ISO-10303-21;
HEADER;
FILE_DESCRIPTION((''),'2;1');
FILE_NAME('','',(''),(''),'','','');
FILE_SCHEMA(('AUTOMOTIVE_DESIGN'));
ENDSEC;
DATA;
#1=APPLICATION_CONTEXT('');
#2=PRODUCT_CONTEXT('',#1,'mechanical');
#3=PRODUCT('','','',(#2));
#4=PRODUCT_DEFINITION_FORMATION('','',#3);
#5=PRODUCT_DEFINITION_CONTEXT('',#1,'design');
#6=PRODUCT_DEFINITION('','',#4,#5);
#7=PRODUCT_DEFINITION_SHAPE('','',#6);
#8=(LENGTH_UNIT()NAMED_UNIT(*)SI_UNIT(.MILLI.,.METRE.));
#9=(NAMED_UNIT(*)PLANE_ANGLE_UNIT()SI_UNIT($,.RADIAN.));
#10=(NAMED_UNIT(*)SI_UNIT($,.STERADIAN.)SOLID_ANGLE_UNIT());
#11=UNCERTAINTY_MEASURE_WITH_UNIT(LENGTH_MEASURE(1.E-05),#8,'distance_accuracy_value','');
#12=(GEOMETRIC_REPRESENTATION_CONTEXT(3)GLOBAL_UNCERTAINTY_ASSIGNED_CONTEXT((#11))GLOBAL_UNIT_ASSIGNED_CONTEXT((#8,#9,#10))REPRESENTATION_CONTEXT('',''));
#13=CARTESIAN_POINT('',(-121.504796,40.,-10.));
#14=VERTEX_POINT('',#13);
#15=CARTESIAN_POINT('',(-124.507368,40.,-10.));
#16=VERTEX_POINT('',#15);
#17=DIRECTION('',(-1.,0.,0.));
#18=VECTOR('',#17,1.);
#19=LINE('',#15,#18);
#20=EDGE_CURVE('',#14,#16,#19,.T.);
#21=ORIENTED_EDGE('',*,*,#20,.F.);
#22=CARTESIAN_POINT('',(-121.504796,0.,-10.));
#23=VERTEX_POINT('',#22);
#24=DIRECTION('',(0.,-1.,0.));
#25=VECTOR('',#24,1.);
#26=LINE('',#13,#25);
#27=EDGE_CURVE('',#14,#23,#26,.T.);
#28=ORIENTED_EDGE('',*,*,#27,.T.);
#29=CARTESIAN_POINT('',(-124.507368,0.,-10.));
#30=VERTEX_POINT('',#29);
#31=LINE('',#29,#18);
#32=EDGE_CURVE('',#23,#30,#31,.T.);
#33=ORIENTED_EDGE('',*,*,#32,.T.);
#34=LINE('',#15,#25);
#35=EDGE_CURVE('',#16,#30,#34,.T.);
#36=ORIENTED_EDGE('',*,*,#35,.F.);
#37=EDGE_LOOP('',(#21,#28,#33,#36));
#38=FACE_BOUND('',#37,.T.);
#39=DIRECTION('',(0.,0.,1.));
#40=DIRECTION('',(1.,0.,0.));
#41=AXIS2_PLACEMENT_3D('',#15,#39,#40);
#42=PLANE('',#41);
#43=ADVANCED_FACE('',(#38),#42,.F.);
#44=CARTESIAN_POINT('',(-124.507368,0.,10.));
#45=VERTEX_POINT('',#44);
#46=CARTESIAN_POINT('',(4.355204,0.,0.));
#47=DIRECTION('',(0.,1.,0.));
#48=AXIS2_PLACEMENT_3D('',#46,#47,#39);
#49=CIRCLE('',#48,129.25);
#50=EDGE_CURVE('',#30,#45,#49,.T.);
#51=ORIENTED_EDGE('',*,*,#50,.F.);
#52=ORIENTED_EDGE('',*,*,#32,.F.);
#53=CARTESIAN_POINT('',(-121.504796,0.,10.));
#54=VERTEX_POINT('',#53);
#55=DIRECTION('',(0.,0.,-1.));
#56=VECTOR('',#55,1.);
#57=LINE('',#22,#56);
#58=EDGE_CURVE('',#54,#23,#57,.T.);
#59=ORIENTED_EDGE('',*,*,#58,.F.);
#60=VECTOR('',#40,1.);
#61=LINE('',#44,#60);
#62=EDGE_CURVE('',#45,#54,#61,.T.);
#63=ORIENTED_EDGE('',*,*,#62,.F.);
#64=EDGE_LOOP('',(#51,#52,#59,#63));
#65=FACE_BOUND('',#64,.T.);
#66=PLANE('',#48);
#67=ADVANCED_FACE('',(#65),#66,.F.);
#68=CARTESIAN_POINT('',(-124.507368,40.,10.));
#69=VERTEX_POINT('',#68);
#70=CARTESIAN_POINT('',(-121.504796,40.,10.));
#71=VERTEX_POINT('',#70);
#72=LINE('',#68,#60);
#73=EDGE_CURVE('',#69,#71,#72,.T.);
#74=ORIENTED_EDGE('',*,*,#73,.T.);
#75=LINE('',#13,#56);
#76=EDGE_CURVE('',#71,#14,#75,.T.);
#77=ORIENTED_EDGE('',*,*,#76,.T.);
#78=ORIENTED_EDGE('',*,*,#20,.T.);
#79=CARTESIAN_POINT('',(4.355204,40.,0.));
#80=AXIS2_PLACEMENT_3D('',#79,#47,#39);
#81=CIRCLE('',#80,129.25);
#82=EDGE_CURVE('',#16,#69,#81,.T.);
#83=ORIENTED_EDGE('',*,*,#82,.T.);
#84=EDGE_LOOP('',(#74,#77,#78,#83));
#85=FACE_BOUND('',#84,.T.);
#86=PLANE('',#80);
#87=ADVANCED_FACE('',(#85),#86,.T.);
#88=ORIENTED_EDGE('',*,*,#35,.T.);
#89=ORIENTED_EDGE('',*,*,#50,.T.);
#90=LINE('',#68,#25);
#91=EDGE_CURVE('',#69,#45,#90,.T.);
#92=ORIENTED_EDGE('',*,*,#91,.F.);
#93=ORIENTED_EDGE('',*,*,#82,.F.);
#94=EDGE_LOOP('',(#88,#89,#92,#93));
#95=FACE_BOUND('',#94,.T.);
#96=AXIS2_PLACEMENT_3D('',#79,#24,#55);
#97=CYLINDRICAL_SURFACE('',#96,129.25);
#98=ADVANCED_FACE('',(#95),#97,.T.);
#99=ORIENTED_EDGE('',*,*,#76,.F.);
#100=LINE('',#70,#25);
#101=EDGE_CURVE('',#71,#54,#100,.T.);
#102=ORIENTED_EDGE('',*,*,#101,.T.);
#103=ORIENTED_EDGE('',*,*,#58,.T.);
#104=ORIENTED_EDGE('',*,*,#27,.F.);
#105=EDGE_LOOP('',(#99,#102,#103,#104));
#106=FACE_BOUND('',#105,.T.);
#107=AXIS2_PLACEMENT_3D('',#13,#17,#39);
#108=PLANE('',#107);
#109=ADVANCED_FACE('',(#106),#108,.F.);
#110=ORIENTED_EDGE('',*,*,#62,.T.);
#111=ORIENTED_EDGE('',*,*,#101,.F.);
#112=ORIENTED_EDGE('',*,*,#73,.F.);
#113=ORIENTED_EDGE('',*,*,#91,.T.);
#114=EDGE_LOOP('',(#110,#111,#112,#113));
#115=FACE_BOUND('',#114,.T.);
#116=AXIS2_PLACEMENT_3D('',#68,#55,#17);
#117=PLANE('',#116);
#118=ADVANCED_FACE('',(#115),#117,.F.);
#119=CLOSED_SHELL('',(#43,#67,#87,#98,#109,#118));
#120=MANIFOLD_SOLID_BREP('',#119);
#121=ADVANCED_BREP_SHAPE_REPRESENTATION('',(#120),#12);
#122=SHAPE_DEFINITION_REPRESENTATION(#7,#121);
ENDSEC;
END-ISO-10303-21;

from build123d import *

# Parameters (mm, degrees)
EXTRUDE_1_DEPTH = 40


with BuildPart() as part:
    # 草图1 → 凸台-拉伸1 (new body)
    with BuildSketch(Plane(origin=(0, 0, 0), x_dir=(1, 0, 0), z_dir=(0, 1, 0))):
        with BuildLine():
            Line((-124.507367811, 10), (-121.504795665, 10))
            Line((-121.504795665, 10), (-121.504795665, -10))
            Line((-121.504795665, -10), (-124.507367811, -10))
            ThreePointArc((-124.507367811, -10), (-124.894795665, 0), (-124.507367811, 10))
        make_face()
    extrude(amount=EXTRUDE_1_DEPTH)


solid = part.part
